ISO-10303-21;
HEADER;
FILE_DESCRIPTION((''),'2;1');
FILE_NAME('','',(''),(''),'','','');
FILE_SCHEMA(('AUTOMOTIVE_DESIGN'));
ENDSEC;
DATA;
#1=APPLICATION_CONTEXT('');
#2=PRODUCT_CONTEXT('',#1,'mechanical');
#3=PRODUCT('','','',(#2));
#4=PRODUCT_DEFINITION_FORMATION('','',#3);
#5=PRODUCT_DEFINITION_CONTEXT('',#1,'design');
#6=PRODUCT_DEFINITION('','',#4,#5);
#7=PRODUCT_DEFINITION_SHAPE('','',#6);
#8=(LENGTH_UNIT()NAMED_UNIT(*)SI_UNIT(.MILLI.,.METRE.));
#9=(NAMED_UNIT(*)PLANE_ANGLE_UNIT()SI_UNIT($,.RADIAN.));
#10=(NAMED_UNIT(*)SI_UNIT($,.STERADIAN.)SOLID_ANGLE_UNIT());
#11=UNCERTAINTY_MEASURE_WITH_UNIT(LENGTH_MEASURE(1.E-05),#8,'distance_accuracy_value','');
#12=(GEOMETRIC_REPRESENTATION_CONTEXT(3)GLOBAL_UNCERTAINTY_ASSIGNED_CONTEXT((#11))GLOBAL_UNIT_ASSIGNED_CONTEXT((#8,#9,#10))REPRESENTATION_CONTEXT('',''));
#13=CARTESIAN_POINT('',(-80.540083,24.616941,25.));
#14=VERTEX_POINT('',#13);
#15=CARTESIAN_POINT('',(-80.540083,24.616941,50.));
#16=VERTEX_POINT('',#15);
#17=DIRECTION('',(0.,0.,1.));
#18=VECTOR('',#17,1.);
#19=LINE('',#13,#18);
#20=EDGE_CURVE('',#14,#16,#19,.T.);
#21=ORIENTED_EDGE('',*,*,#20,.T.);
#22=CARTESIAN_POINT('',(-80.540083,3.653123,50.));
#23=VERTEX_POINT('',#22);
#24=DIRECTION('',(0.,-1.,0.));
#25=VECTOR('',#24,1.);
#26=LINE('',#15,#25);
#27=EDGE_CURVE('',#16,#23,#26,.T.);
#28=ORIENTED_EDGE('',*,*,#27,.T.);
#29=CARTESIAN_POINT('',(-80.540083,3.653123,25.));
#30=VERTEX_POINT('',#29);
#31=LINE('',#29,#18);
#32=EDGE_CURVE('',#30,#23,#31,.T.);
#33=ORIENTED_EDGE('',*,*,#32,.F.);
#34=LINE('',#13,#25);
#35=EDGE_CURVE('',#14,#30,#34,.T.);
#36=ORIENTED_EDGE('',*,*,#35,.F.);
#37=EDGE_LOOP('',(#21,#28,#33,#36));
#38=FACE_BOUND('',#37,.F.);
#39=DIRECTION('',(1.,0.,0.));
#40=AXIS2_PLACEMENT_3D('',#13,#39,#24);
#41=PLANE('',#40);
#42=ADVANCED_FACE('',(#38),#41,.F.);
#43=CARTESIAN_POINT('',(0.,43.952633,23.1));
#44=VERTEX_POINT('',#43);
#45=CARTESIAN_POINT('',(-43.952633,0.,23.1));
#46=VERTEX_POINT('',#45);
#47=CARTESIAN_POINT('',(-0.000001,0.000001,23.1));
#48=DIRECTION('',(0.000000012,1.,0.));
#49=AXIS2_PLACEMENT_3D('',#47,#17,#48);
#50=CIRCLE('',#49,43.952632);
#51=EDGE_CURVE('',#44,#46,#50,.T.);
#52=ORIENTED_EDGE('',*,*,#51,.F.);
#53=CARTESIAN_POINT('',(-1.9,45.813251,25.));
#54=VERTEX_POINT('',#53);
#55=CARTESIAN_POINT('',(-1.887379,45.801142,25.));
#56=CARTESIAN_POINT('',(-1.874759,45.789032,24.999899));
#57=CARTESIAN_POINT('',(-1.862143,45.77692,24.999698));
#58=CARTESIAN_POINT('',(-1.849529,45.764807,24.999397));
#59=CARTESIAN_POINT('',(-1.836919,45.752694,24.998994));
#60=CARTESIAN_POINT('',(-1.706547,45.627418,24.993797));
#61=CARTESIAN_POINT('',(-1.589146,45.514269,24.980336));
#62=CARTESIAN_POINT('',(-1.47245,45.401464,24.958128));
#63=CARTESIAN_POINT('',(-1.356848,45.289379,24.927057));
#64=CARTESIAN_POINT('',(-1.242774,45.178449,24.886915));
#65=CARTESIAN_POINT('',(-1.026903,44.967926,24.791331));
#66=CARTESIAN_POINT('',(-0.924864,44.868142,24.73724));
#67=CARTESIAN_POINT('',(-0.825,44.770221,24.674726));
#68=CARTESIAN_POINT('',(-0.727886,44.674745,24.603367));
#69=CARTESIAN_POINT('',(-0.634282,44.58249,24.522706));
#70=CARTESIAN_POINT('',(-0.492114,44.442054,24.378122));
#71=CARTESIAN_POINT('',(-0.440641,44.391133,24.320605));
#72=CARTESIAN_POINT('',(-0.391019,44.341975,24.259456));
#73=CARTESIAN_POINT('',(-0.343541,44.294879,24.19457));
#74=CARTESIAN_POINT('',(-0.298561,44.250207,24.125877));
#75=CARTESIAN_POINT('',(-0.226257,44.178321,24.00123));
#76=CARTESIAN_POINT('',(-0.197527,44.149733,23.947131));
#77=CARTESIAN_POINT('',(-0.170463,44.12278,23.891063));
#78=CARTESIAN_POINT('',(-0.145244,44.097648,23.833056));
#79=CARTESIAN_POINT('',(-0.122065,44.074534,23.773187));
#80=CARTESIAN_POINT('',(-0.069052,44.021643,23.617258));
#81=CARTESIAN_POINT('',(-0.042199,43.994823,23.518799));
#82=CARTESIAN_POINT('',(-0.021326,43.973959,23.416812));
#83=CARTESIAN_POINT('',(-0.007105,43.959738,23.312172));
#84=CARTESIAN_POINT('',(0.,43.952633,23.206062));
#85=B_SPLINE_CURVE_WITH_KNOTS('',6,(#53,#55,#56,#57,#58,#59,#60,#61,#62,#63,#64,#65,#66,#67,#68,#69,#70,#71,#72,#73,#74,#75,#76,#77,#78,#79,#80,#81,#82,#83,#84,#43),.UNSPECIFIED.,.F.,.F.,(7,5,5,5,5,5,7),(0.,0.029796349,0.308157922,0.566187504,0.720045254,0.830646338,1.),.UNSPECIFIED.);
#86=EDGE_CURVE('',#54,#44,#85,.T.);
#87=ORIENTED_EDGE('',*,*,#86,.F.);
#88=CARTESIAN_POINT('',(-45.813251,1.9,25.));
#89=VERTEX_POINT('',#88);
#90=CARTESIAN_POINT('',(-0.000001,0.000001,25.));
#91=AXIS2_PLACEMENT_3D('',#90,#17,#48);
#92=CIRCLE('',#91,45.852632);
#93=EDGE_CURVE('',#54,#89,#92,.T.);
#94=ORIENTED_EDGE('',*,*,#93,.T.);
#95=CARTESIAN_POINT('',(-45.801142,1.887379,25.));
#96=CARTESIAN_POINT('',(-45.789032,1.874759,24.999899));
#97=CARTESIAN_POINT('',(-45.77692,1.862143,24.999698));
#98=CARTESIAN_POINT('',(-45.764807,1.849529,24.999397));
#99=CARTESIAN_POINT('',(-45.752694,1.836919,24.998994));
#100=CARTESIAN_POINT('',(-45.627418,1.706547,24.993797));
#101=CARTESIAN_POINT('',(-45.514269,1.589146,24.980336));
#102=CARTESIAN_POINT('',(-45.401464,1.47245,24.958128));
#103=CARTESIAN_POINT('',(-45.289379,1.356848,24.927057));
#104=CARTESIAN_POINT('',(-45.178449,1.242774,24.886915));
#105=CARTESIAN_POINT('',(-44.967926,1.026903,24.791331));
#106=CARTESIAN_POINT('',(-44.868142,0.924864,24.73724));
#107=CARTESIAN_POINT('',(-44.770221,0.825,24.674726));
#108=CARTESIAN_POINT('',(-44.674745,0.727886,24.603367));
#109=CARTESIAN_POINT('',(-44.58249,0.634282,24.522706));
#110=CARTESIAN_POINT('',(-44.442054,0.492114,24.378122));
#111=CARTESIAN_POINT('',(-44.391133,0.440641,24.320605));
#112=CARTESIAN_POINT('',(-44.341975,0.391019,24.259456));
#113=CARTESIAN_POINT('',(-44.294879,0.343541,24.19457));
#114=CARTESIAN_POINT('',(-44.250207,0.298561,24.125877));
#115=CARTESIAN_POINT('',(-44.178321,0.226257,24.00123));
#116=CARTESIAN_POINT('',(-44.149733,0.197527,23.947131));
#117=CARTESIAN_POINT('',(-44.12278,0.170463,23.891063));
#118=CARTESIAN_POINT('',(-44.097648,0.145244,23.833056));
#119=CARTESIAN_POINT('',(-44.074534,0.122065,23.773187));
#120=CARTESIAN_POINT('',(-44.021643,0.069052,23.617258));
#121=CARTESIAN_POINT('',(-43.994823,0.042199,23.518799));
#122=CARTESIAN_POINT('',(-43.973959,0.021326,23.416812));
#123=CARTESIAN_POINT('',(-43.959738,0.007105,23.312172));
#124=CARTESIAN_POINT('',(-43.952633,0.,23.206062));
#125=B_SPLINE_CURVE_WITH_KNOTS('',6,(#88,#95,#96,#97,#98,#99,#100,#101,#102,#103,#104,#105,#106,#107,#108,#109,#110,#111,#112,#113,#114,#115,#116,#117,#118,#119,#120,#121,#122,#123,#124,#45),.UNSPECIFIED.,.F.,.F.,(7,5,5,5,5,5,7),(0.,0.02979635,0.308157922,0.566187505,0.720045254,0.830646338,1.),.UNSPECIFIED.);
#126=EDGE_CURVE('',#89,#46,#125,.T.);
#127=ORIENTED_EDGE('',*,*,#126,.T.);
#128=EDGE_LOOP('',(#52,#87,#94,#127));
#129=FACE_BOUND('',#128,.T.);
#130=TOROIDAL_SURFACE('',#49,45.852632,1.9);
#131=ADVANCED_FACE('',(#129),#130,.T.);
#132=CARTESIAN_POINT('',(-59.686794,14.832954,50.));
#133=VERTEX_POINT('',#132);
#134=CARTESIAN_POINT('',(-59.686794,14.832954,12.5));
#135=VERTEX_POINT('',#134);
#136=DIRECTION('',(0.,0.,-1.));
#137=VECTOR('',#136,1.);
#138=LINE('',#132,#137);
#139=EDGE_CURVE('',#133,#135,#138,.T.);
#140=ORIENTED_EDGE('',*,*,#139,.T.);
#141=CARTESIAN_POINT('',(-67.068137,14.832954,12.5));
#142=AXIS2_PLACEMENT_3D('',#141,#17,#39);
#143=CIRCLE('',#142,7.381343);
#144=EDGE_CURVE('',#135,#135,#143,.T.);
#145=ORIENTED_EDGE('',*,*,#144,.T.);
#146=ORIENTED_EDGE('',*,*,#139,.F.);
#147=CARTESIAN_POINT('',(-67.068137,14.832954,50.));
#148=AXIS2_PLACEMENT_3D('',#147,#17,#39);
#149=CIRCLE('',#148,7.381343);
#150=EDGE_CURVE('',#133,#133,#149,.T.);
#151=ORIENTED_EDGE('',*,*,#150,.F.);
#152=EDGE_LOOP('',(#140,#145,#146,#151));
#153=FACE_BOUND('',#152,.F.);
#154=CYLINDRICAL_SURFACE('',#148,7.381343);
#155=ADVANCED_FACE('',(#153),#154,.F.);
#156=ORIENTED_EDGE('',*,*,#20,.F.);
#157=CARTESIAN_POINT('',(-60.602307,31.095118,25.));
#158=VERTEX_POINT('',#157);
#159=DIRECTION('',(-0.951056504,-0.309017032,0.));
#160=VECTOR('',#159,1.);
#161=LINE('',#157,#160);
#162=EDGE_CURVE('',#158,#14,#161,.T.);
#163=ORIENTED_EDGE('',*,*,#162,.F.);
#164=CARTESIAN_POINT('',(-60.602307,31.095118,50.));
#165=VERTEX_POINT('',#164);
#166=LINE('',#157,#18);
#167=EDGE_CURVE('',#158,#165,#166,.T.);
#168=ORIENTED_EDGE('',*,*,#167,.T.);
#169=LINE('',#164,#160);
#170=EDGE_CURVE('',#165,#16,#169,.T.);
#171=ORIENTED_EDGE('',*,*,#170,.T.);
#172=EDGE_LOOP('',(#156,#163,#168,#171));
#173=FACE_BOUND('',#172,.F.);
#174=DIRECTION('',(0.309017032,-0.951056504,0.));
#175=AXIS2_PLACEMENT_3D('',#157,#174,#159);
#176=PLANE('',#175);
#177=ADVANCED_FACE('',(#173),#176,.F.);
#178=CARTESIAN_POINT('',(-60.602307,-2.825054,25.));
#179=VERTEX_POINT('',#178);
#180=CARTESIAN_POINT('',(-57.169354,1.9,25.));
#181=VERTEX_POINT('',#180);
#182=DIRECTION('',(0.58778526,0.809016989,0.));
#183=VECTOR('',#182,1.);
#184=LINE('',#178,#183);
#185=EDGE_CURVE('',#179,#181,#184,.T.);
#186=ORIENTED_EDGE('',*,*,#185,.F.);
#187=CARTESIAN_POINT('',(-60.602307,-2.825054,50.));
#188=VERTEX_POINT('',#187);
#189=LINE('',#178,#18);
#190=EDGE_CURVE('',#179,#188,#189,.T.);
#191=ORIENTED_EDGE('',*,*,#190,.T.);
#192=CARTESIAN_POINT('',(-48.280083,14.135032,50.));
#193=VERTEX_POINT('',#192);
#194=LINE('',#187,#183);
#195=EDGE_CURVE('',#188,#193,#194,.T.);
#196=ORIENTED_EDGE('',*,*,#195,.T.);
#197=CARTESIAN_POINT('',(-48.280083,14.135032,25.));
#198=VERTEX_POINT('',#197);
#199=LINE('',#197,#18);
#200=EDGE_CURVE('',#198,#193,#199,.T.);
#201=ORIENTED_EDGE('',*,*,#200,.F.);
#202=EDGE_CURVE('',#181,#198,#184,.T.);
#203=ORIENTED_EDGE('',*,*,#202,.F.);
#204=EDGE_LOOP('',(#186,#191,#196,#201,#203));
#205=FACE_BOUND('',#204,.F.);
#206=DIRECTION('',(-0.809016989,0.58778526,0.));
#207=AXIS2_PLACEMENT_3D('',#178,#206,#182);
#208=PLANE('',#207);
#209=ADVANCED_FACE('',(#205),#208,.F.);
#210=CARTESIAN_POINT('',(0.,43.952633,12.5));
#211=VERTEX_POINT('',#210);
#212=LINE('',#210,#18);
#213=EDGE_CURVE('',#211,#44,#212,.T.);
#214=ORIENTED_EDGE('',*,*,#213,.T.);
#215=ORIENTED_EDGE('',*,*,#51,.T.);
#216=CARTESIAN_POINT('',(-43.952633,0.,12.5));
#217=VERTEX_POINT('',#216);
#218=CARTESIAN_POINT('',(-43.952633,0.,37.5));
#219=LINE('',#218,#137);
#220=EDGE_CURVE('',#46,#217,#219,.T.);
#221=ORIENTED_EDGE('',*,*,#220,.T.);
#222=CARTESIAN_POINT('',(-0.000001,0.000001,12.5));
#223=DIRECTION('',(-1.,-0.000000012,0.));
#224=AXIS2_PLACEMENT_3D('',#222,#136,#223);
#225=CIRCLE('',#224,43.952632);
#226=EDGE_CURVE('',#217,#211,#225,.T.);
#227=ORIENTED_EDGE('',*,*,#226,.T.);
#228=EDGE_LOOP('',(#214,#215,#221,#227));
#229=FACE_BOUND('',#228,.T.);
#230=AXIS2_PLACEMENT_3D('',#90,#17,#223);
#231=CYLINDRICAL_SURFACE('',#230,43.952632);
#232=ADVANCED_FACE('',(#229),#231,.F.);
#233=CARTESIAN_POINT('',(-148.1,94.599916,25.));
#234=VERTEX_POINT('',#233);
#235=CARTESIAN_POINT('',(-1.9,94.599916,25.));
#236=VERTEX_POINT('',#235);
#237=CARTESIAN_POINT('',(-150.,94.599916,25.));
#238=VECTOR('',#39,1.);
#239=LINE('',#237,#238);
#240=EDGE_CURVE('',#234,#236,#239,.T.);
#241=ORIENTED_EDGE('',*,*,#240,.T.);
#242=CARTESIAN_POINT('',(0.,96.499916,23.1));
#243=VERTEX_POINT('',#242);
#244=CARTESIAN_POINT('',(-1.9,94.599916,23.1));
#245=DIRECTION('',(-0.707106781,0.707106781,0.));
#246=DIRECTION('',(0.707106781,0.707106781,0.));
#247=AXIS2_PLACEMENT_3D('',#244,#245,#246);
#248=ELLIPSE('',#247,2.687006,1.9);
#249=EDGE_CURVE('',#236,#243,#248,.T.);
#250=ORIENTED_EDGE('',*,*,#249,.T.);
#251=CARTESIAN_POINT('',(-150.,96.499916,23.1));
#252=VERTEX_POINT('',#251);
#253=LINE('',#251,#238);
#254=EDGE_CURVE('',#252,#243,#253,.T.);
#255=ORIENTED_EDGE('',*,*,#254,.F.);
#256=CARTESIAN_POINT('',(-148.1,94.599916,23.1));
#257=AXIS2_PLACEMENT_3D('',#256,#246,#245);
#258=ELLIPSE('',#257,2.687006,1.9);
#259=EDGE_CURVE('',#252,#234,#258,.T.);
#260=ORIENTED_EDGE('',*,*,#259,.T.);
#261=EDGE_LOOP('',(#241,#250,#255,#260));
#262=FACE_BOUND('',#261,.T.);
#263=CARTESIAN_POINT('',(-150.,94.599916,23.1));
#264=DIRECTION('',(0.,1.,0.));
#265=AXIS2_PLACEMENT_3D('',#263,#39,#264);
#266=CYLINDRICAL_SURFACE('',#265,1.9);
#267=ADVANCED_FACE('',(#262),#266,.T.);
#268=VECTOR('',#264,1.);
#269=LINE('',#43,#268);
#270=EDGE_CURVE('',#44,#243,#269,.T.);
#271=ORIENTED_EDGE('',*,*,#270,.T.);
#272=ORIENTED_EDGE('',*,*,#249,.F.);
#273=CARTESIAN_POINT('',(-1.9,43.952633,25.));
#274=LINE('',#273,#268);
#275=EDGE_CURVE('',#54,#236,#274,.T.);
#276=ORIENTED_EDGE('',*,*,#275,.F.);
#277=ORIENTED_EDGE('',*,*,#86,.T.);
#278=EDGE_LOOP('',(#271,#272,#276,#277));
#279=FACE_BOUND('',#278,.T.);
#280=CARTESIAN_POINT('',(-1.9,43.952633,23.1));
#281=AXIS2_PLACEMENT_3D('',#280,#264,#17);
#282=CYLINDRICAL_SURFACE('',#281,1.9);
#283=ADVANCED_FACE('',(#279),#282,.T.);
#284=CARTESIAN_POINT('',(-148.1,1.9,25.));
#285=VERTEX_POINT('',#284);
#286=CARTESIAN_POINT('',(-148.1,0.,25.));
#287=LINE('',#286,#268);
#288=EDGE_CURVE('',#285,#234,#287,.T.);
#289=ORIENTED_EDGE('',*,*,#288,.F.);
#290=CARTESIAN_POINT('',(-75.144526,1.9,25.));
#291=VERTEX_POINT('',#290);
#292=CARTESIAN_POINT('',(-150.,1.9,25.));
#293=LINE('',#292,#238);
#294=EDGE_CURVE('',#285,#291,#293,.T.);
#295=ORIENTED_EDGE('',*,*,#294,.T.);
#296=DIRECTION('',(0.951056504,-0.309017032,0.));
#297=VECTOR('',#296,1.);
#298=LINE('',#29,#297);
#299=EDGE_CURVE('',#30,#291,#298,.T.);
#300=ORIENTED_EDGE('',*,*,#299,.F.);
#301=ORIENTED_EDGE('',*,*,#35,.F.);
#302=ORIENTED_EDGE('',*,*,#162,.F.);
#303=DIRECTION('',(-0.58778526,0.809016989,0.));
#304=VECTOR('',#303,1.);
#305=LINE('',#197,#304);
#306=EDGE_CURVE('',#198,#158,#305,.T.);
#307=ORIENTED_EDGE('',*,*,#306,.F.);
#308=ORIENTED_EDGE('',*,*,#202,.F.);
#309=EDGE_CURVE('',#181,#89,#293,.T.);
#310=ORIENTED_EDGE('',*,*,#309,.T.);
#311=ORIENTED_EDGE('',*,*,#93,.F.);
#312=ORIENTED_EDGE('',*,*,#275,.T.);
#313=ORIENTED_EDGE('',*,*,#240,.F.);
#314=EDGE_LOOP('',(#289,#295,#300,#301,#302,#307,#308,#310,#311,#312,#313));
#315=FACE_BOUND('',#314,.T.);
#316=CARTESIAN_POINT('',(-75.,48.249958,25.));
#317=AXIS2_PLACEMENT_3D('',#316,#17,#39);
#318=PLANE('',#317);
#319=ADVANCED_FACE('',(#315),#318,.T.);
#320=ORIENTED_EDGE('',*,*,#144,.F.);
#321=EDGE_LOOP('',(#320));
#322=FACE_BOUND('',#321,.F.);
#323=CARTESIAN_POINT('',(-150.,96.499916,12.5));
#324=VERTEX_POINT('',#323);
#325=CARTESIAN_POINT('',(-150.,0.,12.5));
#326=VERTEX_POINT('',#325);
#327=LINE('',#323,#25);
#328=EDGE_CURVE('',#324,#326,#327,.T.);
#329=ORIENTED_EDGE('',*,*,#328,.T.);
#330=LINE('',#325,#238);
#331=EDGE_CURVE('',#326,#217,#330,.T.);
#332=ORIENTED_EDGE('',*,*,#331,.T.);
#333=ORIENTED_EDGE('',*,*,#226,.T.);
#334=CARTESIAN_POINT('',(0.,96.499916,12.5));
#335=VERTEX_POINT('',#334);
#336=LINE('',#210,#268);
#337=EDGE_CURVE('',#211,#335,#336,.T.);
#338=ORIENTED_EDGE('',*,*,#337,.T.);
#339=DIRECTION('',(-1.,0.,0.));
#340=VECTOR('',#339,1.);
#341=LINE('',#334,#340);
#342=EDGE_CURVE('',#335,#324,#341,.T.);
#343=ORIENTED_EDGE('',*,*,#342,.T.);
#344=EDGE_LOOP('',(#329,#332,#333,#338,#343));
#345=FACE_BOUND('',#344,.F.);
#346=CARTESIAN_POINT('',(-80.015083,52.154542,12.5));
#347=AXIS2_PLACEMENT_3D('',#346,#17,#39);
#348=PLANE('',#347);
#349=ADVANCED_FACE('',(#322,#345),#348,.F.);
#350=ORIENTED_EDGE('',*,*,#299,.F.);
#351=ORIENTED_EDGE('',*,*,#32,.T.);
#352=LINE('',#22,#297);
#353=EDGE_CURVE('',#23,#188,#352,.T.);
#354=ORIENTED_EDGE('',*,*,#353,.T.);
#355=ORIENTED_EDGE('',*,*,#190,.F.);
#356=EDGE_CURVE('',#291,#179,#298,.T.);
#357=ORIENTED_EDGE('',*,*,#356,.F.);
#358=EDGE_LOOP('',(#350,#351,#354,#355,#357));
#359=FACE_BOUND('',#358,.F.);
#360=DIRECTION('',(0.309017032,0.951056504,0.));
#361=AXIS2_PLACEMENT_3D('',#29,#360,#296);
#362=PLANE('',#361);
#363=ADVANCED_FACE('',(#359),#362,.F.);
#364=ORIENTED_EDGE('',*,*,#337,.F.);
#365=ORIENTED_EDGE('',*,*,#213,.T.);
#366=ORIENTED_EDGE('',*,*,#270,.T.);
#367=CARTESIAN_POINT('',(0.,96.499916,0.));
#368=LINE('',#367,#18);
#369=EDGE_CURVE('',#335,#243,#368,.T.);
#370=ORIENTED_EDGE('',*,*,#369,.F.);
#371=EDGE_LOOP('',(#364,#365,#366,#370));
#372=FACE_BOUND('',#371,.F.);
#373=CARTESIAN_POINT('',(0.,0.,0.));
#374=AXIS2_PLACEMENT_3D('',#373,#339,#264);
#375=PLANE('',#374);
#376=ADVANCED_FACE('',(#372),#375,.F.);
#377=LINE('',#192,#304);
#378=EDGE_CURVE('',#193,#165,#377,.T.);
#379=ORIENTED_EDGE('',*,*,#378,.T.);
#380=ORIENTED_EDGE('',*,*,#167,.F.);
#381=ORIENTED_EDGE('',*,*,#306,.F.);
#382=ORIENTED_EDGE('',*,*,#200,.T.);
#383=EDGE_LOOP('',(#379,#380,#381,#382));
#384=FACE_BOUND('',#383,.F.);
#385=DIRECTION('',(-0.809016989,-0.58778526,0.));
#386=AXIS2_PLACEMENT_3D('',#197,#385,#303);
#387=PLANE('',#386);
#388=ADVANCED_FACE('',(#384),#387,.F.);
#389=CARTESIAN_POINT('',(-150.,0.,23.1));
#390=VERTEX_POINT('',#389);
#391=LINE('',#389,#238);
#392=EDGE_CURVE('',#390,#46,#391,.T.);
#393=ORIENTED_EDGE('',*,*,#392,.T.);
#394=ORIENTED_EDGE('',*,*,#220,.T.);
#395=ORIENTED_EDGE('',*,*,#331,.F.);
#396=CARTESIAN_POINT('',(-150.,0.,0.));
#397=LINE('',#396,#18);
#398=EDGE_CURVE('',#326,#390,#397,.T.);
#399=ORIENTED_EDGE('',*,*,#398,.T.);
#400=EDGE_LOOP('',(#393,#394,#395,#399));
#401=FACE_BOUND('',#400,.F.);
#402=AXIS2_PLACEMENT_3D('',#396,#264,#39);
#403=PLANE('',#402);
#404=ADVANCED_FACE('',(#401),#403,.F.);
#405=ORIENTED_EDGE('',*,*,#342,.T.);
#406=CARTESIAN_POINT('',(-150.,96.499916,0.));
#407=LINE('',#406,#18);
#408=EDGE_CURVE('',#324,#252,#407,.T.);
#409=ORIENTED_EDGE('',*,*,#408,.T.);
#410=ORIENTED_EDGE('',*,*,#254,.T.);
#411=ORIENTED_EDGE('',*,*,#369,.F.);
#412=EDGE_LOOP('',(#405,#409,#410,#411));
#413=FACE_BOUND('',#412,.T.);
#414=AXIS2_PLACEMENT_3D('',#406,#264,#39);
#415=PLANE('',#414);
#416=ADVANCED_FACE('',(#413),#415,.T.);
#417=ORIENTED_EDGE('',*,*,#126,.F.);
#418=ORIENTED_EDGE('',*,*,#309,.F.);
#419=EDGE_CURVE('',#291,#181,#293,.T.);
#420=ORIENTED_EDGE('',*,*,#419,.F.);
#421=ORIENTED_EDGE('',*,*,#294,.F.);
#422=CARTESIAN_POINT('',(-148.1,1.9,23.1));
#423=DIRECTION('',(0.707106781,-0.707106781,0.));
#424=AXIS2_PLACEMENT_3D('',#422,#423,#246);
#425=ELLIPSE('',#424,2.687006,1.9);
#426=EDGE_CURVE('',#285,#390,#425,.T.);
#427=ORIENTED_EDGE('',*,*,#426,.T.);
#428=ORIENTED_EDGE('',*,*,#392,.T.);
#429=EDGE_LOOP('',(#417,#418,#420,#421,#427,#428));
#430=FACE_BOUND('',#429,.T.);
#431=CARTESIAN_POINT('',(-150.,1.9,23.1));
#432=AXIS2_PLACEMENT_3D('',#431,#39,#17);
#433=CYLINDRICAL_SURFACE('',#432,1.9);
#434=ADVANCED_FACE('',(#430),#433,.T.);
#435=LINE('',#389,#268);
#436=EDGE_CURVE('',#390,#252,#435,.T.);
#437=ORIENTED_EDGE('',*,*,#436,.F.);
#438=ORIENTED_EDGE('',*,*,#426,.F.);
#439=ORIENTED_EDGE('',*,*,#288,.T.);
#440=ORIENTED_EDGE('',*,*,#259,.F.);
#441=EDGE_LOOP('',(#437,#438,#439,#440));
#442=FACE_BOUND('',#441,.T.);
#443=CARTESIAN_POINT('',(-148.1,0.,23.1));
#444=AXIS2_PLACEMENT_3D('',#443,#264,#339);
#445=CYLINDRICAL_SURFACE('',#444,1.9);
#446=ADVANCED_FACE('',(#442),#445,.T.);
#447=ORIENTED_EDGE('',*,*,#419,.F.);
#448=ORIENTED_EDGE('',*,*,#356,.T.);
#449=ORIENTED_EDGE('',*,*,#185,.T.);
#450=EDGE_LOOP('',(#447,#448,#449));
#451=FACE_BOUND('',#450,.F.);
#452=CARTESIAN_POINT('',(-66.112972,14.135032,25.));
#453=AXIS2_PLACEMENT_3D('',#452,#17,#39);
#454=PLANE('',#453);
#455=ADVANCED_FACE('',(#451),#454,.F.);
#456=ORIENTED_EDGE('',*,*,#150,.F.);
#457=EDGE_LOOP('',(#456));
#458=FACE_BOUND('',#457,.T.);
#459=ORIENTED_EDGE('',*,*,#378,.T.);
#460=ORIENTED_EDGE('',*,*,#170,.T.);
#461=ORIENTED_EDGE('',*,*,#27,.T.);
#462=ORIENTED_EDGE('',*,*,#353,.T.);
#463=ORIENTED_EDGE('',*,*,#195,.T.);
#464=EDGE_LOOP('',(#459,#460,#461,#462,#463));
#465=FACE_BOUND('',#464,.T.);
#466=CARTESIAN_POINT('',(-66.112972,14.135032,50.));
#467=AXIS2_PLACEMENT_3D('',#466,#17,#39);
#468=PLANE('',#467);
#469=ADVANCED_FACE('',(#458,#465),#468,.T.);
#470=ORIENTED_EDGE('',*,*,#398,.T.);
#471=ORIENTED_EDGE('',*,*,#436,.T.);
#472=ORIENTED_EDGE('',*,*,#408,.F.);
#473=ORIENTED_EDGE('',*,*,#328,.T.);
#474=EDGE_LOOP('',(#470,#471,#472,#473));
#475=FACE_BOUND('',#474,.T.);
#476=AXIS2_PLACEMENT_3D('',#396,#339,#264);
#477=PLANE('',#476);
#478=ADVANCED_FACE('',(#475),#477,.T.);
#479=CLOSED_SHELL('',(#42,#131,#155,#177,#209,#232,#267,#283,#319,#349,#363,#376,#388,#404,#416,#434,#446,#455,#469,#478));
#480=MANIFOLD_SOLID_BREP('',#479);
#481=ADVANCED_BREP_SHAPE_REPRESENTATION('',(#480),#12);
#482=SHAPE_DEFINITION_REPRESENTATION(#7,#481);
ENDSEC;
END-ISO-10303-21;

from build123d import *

# Parameters (mm, degrees)
F0_W     = 150
F0_H     = 96.499916
F1_DEPTH = 25
F3_DEPTH = 12.5
F4_R     = 1.9
F6_DEPTH = 25
F7_R     = 7.381343
F8_DEPTH = 50


with BuildPart() as f1:
    # F0 (on Top) → F1 (new body)
    with BuildSketch(Plane.XY):
        with Locations((-75, 48.249958)):
            Rectangle(F0_W, F0_H)
    extrude(amount=F1_DEPTH)

    # F2 (on face) → F3 (intersect, symmetric)
    with BuildSketch(Plane.XY.offset(25)):
        with BuildLine():
            ThreePointArc((-43.952633, 0), (-31.079205, 31.079205), (0, 43.952633))
            Line((0, 43.952633), (0, 96.499916))
            Line((0, 96.499916), (-150, 96.499916))
            Line((-150, 96.499916), (-150, 0))
            Line((-150, 0), (-43.952633, 0))
        make_face()
    extrude(amount=F3_DEPTH, both=True, mode=Mode.INTERSECT)

    # F4
    f4_edges = [f1.edges().sort_by_distance(p)[0] for p in [
        (0, 70.226275, 25),
        (-31.079205, 31.079205, 25),
        (-96.976317, 0, 25),
        (-150, 48.249958, 25),
        (-75, 96.499916, 25),
    ]]
    fillet(f4_edges, radius=F4_R)

    # F5 (on face) → F6 (join)
    with BuildSketch(Plane.XY.offset(25)):
        Polygon((-80.540083, 24.616941), (-80.540083, 3.653123), (-60.602307, -2.825054), (-48.280083, 14.135032), (-60.602307, 31.095118), align=None)
    extrude(amount=F6_DEPTH)

    # F7 (on face) → F8 (cut)
    with BuildSketch(Plane.XY.offset(50)):
        with Locations((-67.068137, 14.832954)):
            Circle(F7_R)
    extrude(amount=-F8_DEPTH, mode=Mode.SUBTRACT)


solid = f1.part
